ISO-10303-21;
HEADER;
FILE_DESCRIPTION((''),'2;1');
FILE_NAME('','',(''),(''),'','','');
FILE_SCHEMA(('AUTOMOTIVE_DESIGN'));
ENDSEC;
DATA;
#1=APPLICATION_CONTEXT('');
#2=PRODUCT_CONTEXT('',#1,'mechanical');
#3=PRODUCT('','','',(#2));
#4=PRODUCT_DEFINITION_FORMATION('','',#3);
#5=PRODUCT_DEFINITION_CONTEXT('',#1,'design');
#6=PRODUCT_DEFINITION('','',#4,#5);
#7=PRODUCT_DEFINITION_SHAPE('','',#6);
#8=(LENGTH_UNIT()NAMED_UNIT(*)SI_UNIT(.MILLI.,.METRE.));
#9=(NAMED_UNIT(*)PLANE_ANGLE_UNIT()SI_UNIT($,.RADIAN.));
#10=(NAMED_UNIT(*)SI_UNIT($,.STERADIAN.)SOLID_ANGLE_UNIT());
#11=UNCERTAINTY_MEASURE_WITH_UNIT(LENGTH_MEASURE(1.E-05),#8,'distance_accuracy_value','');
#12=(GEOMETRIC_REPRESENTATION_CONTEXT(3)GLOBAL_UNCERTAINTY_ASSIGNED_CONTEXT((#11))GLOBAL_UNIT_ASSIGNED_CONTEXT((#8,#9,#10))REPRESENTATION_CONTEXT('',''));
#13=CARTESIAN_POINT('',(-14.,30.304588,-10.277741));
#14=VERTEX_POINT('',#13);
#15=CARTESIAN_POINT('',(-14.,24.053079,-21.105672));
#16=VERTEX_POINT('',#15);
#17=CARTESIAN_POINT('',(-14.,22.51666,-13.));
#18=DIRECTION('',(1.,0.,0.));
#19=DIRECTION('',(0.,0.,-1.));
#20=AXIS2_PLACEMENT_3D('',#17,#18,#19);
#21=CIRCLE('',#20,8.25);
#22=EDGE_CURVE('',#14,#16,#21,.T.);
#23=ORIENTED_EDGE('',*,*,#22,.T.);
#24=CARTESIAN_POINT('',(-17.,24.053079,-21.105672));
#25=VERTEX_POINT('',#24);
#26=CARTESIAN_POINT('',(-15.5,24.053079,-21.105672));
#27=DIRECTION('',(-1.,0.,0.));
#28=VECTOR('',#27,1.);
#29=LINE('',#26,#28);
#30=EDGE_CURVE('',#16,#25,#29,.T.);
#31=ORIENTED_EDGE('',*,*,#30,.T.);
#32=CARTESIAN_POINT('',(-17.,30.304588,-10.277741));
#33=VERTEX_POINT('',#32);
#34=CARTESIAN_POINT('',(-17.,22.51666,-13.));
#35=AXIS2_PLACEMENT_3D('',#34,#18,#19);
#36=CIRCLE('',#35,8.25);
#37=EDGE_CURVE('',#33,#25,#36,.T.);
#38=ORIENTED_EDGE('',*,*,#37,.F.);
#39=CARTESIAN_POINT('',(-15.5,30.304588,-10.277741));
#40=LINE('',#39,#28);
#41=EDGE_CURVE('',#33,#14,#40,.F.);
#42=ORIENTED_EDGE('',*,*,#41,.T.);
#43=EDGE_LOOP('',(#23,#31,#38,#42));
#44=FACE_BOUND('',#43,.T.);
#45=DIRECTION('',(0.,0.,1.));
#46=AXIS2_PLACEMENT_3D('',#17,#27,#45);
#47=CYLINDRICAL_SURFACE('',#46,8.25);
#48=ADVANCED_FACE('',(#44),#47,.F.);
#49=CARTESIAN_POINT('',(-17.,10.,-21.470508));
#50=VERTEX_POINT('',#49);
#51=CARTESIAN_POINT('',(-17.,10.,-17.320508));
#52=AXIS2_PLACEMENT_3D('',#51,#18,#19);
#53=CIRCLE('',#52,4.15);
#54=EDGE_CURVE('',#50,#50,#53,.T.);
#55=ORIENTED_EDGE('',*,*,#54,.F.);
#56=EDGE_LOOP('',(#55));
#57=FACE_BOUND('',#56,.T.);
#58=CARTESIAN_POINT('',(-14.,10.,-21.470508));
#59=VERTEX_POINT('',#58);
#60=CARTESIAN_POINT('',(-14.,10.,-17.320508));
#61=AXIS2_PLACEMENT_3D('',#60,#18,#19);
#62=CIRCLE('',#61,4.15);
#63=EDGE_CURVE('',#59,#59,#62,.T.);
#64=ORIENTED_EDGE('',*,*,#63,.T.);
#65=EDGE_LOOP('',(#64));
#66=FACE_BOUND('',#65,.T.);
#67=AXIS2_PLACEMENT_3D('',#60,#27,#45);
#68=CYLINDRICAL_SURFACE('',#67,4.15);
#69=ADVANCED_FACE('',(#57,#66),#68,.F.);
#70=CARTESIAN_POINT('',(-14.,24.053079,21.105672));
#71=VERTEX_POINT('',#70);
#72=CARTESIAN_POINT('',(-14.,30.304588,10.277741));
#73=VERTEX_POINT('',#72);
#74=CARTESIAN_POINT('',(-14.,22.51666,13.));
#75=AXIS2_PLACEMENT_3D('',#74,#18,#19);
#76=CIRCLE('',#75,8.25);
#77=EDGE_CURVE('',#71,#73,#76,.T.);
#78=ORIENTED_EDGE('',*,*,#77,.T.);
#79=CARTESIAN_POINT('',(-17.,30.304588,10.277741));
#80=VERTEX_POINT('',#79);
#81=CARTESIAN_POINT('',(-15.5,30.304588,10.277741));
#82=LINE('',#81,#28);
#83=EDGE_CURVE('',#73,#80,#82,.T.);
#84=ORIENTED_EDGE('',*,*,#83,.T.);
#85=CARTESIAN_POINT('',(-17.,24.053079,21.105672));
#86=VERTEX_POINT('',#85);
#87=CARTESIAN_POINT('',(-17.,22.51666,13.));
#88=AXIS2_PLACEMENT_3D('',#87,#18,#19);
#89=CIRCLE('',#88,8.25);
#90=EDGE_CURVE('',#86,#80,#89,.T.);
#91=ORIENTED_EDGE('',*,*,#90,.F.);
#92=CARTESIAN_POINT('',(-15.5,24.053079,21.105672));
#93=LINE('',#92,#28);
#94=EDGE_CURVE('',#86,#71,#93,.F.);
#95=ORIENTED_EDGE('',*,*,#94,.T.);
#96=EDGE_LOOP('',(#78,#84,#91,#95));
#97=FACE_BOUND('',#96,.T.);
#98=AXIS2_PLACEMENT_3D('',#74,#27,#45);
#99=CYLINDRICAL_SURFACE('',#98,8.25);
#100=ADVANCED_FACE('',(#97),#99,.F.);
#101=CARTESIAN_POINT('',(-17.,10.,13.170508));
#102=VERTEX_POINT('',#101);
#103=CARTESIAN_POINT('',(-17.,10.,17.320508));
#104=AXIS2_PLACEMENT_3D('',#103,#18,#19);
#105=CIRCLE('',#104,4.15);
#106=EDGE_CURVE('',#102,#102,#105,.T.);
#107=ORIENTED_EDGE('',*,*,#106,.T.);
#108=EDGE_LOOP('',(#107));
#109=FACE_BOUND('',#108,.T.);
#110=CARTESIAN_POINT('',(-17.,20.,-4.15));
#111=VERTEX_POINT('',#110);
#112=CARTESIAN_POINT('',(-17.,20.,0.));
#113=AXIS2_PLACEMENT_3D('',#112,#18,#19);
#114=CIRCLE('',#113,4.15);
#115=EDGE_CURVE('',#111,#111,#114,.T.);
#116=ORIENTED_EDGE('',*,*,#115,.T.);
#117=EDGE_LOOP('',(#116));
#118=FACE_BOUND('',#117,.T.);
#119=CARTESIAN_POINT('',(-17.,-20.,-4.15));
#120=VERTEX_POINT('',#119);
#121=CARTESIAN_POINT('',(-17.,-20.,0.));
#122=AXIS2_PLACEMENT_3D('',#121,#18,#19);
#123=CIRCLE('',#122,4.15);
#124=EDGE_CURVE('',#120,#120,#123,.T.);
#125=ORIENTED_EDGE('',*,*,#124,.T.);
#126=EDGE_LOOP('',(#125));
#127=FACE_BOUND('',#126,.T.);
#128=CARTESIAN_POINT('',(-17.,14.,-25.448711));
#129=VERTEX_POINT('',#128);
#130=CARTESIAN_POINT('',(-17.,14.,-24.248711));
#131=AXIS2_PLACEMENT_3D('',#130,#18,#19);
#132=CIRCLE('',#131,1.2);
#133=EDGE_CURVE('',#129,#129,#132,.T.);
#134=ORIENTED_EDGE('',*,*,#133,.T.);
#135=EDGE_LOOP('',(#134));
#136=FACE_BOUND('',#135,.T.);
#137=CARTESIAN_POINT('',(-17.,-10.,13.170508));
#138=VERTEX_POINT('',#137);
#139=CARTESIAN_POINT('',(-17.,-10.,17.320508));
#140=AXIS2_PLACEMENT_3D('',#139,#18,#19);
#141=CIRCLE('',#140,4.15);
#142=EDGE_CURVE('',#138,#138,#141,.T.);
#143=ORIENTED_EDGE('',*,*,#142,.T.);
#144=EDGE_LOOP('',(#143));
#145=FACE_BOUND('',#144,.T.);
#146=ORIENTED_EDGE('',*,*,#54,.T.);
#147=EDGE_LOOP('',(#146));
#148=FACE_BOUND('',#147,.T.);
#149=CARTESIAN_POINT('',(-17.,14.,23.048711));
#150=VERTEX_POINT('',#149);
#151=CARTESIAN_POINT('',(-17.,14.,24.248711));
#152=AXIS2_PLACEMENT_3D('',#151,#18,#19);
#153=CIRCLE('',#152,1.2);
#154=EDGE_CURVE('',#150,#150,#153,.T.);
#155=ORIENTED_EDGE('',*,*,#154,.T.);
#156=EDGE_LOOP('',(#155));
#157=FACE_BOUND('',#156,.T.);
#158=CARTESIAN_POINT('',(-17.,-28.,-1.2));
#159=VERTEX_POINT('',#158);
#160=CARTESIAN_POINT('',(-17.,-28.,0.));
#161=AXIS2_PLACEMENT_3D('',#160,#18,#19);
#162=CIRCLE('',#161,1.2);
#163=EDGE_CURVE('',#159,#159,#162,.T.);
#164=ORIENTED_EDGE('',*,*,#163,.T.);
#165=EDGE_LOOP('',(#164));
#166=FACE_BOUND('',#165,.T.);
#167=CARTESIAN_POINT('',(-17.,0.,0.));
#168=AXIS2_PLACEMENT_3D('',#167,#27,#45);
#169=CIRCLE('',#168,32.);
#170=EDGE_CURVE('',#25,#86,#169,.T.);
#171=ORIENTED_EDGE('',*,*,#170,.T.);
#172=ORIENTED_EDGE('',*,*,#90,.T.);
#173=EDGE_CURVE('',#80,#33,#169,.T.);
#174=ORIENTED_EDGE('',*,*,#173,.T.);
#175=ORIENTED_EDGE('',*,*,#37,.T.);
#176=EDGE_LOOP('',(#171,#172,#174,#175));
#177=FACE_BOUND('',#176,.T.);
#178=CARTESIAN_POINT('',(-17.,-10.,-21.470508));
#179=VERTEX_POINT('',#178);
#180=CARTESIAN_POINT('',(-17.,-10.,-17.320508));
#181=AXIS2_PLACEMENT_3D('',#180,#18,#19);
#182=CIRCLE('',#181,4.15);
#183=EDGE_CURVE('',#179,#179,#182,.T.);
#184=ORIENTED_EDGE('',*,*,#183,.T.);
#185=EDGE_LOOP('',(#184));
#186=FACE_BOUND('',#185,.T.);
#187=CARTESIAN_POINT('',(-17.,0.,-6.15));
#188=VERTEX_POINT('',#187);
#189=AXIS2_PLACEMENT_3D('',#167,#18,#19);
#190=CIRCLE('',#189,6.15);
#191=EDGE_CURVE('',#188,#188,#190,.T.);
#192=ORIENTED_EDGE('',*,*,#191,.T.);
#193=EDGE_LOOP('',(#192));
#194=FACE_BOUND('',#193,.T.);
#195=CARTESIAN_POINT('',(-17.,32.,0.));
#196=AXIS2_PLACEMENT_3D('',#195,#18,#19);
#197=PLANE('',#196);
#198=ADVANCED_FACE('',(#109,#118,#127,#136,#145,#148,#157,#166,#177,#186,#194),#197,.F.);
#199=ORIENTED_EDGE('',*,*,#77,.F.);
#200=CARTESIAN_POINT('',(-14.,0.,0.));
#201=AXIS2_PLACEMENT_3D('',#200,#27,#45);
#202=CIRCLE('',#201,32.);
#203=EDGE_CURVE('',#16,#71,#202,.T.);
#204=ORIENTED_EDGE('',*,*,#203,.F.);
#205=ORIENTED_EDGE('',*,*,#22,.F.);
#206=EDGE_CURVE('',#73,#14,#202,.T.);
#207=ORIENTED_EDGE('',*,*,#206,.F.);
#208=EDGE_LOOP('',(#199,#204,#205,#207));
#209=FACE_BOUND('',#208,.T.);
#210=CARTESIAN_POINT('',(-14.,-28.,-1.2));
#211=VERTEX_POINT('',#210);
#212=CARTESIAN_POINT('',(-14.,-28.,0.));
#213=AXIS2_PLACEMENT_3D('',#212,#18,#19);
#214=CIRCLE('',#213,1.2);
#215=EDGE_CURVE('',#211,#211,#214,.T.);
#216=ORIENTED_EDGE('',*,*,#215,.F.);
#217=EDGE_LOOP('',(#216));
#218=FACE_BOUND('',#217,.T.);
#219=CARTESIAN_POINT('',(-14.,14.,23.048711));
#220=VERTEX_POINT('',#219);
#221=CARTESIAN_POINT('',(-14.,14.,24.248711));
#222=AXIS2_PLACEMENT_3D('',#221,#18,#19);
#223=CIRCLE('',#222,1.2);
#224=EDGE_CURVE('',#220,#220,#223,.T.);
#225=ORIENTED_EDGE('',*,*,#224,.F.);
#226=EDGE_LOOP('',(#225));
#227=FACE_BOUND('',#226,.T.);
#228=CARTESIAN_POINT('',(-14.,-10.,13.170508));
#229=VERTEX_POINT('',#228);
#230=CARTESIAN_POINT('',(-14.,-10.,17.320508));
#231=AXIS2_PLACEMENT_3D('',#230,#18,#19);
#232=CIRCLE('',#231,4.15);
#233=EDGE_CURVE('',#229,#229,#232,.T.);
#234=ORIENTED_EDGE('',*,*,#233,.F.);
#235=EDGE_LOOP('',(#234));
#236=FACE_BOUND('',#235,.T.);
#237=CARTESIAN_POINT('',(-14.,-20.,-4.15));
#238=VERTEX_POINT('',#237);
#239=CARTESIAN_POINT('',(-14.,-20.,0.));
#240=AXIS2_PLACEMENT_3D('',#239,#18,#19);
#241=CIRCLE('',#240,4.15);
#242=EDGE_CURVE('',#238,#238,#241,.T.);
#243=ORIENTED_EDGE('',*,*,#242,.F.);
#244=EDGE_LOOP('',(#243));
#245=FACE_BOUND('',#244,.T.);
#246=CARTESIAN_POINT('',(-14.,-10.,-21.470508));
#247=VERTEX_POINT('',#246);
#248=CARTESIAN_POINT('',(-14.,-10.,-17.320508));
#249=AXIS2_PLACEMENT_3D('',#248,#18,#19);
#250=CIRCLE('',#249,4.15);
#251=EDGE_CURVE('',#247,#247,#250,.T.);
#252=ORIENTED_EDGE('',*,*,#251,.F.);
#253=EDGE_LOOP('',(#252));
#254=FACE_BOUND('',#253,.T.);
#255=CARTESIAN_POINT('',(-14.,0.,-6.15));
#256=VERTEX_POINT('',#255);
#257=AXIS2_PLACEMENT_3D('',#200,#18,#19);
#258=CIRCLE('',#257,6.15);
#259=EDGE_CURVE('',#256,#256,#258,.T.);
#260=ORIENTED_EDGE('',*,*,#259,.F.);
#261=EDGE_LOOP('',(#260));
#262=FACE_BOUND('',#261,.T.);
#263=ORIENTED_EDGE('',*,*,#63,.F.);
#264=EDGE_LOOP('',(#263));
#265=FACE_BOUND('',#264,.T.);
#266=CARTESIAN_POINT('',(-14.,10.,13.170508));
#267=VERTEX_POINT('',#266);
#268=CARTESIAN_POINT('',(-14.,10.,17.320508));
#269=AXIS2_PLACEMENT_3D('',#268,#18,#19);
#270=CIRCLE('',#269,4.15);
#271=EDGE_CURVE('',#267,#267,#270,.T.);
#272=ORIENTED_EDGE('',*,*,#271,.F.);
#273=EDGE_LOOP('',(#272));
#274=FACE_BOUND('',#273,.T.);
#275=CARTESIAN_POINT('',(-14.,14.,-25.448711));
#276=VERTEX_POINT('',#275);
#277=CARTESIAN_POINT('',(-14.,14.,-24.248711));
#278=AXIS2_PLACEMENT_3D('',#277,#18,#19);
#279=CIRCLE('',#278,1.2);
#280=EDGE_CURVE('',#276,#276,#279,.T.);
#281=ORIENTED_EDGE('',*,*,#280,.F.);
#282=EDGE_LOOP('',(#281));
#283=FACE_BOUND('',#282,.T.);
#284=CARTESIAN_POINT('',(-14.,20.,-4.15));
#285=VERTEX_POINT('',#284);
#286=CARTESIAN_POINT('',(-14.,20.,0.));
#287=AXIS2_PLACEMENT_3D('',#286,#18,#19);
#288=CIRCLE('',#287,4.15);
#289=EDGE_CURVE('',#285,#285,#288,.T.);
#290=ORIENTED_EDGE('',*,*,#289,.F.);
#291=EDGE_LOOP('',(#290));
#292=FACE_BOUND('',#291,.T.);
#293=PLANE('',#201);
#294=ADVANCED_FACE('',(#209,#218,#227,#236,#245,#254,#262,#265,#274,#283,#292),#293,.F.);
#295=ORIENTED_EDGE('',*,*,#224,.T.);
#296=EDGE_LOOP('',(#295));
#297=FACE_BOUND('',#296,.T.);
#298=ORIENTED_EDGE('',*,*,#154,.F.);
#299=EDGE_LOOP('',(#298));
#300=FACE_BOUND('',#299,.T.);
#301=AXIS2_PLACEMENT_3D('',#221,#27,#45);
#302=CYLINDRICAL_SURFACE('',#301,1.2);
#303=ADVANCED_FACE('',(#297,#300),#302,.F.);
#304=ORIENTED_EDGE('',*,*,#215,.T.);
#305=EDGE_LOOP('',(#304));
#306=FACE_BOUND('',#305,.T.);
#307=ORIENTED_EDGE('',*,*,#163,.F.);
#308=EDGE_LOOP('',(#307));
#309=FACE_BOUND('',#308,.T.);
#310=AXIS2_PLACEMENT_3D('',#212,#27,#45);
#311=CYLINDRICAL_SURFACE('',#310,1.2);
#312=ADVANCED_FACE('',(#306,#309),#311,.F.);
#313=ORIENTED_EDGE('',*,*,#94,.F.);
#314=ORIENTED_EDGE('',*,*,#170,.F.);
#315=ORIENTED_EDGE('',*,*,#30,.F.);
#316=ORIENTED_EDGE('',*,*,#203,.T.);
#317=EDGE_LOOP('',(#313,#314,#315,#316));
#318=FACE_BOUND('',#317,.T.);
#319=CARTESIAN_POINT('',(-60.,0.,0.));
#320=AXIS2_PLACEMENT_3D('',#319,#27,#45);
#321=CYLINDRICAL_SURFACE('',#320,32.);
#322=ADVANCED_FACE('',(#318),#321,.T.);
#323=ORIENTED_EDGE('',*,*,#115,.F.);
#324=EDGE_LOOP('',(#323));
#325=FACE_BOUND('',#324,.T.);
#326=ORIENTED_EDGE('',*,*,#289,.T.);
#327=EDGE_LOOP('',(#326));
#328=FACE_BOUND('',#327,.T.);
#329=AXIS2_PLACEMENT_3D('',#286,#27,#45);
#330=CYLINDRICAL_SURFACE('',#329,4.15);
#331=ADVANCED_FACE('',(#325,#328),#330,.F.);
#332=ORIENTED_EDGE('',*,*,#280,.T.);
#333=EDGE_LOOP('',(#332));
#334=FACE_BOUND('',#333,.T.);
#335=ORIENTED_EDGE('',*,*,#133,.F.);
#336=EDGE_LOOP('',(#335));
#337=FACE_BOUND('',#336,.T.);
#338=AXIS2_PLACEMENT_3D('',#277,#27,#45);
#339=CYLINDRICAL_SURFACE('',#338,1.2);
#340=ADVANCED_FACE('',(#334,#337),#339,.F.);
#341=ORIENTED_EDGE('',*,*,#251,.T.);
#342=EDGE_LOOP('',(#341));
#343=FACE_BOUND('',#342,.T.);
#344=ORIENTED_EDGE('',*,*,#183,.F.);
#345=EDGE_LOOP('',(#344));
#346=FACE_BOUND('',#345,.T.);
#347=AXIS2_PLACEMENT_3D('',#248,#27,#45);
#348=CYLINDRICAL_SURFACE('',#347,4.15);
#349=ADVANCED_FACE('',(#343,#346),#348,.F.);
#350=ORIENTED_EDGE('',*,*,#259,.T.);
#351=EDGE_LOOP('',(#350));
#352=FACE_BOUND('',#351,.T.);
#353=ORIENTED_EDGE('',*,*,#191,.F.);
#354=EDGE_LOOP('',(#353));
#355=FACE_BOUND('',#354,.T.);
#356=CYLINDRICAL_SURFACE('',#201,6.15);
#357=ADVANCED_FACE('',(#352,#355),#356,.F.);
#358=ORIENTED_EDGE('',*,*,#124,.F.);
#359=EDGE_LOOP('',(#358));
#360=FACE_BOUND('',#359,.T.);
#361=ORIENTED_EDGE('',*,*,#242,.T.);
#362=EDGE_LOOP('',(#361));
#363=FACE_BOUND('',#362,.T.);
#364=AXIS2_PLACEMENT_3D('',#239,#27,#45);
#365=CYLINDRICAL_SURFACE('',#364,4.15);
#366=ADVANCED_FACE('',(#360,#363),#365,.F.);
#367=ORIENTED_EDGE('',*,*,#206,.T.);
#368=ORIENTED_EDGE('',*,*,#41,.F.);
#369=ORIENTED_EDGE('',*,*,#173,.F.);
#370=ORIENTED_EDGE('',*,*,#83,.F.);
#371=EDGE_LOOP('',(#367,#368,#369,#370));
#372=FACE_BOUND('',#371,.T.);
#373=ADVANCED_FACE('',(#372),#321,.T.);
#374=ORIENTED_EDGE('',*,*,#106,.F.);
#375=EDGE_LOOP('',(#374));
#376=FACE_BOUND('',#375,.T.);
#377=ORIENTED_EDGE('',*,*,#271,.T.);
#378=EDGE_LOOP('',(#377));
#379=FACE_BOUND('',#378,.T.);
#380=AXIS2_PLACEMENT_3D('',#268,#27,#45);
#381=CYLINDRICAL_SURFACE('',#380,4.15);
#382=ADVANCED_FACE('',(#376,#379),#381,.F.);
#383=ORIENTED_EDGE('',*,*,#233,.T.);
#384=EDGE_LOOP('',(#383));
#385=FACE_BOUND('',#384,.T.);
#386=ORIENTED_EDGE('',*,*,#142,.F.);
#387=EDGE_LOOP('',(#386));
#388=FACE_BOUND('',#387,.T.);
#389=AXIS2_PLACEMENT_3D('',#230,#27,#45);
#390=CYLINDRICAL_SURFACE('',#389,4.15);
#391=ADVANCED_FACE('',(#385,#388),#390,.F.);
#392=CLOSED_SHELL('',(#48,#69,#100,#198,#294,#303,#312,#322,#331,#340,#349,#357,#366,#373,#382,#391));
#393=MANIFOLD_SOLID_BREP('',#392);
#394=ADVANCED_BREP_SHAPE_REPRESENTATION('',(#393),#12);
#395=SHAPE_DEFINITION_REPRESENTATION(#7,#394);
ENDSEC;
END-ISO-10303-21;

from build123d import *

# Parameters (mm, degrees)
AXIAL_BLANK_PROFILE_W                     = 3
AXIAL_BLANK_PROFILE_H                     = 32
MAGNET_BASE_START                         = -17
MAGNET_BASE_LOCATOR_BORES_SKETCH_R        = 6.15
MAGNET_BASE_LOCATOR_BORES_SKETCH_R_2      = 4.15
MAGNET_BASE_LOCATOR_BORES_DEPTH           = 3
OPEN_START                                = -17
OPEN_FITTING_ROUTE_RELIEFS_SKETCH_R       = 8.25
OPEN_FITTING_ROUTE_RELIEFS_DEPTH          = 3
THREE_START                               = -17
THREE_M2_LOCATOR_CLEARANCE_HOLES_SKETCH_R = 1.2
THREE_M2_LOCATOR_CLEARANCE_HOLES_DEPTH    = 3


with BuildPart() as part:
    # Axial blank profile → Native revolved blank (revolve)
    with BuildSketch(Plane.XY, mode=Mode.PRIVATE) as native_revolved_blank_sk:
        with Locations((-15.5, 16)):
            Rectangle(AXIAL_BLANK_PROFILE_W, AXIAL_BLANK_PROFILE_H)
    revolve(native_revolved_blank_sk.sketch.rotate(Axis((-60, 0, 0), (1, 0, 0)), 90), axis=Axis((-60, 0, 0), (1, 0, 0)))

    # Magnet-base locator bores sketch → Magnet-base locator bores (cut)
    with BuildSketch(Plane(origin=(0, 0, 0), x_dir=(0, 0, -1), z_dir=(1, 0, 0)).offset(MAGNET_BASE_START)):
        Circle(MAGNET_BASE_LOCATOR_BORES_SKETCH_R)
        with Locations((0, 20)):
            Circle(MAGNET_BASE_LOCATOR_BORES_SKETCH_R_2)
        with Locations((-17.320508076, 10)):
            Circle(MAGNET_BASE_LOCATOR_BORES_SKETCH_R_2)
        with Locations((-17.320508076, -10)):
            Circle(MAGNET_BASE_LOCATOR_BORES_SKETCH_R_2)
        with Locations((0, -20)):
            Circle(MAGNET_BASE_LOCATOR_BORES_SKETCH_R_2)
        with Locations((17.320508076, -10)):
            Circle(MAGNET_BASE_LOCATOR_BORES_SKETCH_R_2)
        with Locations((17.320508076, 10)):
            Circle(MAGNET_BASE_LOCATOR_BORES_SKETCH_R_2)
    extrude(amount=MAGNET_BASE_LOCATOR_BORES_DEPTH, mode=Mode.SUBTRACT)

    # Open fitting-route reliefs sketch → Open fitting-route reliefs (cut)
    with BuildSketch(Plane(origin=(0, 0, 0), x_dir=(0, 0, -1), z_dir=(1, 0, 0)).offset(OPEN_START)):
        with Locations((-13, 22.516660498)):
            Circle(OPEN_FITTING_ROUTE_RELIEFS_SKETCH_R)
        with Locations((13, 22.516660498)):
            Circle(OPEN_FITTING_ROUTE_RELIEFS_SKETCH_R)
    extrude(amount=OPEN_FITTING_ROUTE_RELIEFS_DEPTH, mode=Mode.SUBTRACT)

    # Three M2 locator clearance holes sketch → Three M2 locator clearance holes (cut)
    with BuildSketch(Plane(origin=(0, 0, 0), x_dir=(0, 0, -1), z_dir=(1, 0, 0)).offset(THREE_START)):
        with Locations((-24.248711306, 14)):
            Circle(THREE_M2_LOCATOR_CLEARANCE_HOLES_SKETCH_R)
        with Locations((0, -28)):
            Circle(THREE_M2_LOCATOR_CLEARANCE_HOLES_SKETCH_R)
        with Locations((24.248711306, 14)):
            Circle(THREE_M2_LOCATOR_CLEARANCE_HOLES_SKETCH_R)
    extrude(amount=THREE_M2_LOCATOR_CLEARANCE_HOLES_DEPTH, mode=Mode.SUBTRACT)


solid = part.part
